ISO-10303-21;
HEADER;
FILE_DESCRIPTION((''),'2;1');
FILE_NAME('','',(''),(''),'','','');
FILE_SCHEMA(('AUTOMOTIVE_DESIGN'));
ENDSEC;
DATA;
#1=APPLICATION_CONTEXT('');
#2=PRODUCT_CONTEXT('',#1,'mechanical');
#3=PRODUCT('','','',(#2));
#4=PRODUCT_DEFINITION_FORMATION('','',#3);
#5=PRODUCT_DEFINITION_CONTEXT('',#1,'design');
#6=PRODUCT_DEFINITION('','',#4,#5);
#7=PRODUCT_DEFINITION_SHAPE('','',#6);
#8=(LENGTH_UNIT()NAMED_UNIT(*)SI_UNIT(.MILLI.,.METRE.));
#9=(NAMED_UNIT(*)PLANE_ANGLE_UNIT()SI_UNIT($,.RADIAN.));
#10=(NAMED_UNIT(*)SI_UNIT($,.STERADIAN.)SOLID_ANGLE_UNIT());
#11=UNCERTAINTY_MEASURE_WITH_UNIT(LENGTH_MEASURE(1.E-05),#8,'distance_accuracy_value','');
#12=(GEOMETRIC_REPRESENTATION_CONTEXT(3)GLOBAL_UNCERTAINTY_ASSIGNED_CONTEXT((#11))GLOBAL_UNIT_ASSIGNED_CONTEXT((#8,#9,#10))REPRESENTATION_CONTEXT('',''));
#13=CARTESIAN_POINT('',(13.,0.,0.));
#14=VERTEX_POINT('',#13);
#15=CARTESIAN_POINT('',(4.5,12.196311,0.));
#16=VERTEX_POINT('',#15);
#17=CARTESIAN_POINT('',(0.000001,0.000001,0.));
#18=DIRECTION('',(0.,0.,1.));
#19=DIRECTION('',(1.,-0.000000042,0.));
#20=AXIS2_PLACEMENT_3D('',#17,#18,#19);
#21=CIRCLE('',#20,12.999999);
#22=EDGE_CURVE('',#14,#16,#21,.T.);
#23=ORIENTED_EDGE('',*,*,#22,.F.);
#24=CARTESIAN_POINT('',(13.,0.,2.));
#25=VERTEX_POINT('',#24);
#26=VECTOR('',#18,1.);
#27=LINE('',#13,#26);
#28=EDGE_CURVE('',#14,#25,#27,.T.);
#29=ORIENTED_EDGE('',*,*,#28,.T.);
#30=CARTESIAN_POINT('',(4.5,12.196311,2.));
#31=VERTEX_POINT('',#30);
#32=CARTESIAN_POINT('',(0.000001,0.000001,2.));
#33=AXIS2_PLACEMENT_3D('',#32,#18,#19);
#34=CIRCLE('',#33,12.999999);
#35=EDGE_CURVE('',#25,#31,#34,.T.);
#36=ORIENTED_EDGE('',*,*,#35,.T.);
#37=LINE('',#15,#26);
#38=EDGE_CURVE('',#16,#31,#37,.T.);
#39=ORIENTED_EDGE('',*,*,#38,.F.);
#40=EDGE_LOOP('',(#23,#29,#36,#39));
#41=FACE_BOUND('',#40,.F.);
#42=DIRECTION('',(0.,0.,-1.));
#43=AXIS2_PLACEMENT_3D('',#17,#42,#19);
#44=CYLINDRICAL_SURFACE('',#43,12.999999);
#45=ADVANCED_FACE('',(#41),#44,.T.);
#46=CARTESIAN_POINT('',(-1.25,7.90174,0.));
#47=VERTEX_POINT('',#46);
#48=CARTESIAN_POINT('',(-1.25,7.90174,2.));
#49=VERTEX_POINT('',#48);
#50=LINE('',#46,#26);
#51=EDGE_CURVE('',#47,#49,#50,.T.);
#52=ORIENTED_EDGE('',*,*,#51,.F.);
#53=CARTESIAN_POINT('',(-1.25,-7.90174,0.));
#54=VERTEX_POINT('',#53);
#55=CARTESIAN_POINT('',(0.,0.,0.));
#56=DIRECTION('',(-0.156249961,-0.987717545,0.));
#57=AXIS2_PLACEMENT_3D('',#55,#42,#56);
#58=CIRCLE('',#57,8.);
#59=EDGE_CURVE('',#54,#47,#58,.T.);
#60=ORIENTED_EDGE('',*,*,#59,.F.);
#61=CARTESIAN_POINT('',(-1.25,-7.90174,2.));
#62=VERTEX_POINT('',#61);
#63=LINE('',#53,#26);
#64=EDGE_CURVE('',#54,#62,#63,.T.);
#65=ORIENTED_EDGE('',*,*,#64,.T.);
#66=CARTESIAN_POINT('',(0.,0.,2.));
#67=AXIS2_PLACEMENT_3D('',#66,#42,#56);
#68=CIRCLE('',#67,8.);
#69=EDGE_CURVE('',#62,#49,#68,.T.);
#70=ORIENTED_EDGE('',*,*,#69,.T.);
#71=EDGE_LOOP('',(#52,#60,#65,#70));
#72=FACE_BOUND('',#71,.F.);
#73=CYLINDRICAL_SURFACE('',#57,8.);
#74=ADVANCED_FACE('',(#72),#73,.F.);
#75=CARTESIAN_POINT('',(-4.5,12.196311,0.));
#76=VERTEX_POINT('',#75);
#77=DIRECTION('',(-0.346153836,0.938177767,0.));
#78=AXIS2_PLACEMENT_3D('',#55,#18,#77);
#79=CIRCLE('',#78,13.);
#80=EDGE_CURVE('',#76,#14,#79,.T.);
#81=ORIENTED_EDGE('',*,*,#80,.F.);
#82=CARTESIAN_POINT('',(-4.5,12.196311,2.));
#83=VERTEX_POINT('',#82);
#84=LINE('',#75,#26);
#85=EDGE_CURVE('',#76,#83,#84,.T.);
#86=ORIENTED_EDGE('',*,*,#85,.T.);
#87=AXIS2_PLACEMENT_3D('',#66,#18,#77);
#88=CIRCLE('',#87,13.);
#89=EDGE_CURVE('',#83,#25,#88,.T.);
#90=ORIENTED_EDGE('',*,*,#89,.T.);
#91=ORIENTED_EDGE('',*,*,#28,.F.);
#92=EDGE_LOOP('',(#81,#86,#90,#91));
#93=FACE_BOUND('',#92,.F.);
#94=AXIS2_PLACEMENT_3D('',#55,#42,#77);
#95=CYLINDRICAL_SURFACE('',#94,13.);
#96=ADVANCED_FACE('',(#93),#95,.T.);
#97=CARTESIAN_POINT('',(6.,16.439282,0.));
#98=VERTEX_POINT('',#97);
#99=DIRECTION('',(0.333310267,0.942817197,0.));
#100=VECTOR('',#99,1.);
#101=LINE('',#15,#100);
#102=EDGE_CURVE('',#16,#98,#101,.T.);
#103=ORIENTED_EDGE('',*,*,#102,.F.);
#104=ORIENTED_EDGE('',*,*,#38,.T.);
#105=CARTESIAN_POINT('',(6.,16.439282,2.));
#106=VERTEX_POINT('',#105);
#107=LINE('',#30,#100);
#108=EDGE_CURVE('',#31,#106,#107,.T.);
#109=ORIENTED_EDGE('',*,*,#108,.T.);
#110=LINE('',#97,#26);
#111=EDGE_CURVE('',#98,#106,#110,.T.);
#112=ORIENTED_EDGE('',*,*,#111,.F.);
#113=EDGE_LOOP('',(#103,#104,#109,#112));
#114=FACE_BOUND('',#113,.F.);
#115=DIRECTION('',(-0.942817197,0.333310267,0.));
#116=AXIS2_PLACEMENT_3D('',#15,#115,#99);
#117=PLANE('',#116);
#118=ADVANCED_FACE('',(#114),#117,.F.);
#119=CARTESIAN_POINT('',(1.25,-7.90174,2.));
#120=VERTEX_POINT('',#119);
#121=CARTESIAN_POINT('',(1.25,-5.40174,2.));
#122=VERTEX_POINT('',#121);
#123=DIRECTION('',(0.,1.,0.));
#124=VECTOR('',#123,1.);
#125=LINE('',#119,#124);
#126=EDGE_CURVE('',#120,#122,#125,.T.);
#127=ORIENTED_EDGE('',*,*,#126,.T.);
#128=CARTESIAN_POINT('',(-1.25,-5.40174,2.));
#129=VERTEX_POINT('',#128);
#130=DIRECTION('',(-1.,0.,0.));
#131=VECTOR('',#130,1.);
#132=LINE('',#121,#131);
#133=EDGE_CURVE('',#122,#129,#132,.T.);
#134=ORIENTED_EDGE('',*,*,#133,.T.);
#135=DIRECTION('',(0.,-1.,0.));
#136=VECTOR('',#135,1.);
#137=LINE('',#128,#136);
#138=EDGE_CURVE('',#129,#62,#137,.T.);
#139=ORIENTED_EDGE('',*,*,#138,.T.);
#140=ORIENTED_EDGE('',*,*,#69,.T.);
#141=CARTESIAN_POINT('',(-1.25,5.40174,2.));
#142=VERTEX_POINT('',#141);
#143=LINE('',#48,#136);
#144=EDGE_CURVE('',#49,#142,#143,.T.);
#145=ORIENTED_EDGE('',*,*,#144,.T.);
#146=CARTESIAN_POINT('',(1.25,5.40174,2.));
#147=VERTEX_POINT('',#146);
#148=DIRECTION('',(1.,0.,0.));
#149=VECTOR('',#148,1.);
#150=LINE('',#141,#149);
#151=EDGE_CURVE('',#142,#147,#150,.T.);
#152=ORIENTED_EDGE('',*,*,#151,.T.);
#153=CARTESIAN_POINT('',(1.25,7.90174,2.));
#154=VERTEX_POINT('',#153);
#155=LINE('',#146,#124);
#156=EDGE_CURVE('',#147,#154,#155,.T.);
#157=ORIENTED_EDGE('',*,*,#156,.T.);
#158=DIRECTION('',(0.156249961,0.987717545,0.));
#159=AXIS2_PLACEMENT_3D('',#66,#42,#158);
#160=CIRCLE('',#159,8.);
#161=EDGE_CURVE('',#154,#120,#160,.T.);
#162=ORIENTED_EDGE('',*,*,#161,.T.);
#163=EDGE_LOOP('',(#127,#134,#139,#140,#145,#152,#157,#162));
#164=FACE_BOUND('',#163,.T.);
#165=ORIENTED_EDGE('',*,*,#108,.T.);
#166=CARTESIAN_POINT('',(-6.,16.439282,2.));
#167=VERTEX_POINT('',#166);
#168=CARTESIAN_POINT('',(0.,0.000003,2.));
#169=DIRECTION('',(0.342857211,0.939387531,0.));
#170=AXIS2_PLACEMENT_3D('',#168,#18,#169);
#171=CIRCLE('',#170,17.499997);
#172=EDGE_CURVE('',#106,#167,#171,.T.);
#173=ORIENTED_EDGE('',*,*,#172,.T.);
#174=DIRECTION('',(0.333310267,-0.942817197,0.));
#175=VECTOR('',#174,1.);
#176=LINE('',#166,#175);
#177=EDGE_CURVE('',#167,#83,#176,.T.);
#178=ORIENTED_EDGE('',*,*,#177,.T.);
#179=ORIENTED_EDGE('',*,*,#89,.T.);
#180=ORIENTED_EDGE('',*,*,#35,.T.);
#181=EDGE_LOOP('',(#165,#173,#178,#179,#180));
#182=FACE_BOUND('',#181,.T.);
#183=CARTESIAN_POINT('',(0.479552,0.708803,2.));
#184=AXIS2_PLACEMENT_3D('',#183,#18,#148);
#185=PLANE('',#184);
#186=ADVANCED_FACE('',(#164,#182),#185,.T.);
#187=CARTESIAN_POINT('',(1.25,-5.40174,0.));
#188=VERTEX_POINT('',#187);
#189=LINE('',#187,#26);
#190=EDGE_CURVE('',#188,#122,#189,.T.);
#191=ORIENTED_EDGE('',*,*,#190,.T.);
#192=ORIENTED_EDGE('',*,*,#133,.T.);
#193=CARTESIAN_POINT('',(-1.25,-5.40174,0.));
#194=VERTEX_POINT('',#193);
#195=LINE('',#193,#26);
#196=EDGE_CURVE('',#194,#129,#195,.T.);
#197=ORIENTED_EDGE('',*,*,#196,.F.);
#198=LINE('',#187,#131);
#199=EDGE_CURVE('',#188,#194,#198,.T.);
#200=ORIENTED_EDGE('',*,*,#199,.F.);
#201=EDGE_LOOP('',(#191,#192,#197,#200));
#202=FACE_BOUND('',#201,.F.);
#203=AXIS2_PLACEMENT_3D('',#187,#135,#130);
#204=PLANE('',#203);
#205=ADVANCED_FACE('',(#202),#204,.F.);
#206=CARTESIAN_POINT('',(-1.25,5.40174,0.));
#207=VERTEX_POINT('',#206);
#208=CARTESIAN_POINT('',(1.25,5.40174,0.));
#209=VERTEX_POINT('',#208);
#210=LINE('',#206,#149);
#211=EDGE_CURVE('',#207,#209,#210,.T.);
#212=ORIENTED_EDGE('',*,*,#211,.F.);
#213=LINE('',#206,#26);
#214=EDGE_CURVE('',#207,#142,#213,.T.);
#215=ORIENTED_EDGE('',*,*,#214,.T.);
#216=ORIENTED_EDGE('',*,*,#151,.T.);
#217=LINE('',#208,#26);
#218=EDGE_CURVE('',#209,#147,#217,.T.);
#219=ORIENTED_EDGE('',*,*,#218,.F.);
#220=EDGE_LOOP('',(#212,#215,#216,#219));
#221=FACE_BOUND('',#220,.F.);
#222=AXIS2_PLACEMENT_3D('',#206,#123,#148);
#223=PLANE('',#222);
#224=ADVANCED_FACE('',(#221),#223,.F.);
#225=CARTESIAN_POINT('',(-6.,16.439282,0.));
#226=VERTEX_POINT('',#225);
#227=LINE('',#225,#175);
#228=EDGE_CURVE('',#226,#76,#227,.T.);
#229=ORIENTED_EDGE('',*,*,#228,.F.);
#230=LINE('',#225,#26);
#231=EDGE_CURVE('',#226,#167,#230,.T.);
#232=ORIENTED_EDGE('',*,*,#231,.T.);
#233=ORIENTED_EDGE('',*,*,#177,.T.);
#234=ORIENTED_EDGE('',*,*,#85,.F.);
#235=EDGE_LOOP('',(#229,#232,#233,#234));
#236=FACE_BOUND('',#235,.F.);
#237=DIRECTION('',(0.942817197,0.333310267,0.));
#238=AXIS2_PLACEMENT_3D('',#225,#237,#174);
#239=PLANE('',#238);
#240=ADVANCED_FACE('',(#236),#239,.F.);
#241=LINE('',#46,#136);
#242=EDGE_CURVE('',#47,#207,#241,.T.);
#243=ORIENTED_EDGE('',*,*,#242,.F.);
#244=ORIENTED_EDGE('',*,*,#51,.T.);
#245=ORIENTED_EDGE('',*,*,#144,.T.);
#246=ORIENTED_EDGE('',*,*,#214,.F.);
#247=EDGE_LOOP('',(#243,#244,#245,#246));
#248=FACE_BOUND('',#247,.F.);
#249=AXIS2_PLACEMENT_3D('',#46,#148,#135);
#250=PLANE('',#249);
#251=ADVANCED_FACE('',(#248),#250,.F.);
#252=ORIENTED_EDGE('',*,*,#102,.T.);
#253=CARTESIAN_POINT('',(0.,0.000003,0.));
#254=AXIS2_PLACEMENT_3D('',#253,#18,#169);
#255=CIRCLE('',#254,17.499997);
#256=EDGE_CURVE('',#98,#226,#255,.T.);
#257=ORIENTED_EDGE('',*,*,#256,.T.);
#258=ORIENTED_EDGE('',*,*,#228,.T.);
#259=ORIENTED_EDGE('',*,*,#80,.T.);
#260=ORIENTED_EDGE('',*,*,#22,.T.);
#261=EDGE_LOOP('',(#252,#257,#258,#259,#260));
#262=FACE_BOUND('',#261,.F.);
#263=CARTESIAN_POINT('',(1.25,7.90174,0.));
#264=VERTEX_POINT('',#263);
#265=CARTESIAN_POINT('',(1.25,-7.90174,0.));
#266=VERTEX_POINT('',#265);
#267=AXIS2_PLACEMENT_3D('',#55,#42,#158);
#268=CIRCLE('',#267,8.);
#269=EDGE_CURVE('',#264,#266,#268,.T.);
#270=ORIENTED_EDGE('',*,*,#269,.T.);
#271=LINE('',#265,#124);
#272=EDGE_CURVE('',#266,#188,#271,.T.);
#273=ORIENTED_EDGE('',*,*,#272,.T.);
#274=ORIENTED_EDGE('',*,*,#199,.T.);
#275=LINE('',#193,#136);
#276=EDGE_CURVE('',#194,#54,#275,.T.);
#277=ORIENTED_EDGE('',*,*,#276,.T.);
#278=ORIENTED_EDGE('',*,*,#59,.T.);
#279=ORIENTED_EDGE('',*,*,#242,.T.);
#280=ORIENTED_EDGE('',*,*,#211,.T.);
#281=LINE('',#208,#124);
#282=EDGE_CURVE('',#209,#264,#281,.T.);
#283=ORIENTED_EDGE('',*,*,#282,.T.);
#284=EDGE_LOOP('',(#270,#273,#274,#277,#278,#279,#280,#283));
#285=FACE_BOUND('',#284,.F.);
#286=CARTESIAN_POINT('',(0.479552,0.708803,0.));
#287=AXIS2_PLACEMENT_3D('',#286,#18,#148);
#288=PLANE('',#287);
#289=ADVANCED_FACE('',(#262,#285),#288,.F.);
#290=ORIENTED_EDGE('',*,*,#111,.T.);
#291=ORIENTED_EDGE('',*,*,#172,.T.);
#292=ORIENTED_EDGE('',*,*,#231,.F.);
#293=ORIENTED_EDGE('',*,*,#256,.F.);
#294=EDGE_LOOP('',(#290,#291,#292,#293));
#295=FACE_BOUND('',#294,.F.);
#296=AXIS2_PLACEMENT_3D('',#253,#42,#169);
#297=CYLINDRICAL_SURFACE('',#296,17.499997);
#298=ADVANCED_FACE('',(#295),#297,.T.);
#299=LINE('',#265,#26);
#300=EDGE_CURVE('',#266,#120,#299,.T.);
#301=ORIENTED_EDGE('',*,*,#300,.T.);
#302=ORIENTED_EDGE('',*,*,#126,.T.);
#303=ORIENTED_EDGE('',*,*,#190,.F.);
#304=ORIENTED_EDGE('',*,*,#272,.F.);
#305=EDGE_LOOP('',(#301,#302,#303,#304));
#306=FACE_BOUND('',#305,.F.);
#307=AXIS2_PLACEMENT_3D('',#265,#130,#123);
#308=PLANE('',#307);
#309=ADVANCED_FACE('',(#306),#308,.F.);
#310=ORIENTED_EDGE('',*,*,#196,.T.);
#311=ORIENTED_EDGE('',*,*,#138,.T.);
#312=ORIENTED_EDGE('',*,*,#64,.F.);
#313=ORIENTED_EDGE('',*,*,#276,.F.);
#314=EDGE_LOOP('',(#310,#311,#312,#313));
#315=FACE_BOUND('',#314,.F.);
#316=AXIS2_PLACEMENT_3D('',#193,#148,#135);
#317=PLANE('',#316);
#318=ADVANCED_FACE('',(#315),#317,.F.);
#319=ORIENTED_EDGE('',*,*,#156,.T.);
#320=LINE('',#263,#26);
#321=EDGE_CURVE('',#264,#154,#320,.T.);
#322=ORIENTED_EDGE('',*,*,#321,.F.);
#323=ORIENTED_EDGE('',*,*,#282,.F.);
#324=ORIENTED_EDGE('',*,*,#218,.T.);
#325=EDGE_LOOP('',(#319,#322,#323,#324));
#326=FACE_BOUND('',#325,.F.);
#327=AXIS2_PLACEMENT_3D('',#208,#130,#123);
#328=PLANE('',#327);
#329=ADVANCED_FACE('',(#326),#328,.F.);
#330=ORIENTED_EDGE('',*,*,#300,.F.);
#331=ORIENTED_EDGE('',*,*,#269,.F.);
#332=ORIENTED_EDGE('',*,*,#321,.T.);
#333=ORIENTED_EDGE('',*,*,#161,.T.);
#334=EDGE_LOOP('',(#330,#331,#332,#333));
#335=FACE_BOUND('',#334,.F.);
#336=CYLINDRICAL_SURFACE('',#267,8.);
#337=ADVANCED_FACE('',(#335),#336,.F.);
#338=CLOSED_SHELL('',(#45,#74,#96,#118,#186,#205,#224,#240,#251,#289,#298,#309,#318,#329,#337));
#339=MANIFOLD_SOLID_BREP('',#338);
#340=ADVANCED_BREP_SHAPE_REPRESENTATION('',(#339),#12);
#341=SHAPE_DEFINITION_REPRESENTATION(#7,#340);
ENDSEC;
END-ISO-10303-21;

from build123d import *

# Parameters (mm, degrees)
F1_DEPTH = 2


with BuildPart() as f1:
    # F0 (on Top) → F1 (new body)
    with BuildSketch(Plane.XY):
        with BuildLine():
            ThreePointArc((-4.5, 12.196311), (-7.433034, -10.665365), (13, 0))
            ThreePointArc((13, 0), (10.665365, 7.433034), (4.5, 12.196311))
            ThreePointArc((4.5, 12.196311), (0, 13), (-4.5, 12.196311))
        make_face()
        with BuildLine():
            ThreePointArc((-1.25, -7.90174), (-8, 0), (-1.25, 7.90174))
            Line((-1.25, 7.90174), (-1.25, 5.40174))
            Line((-1.25, 5.40174), (1.25, 5.40174))
            Line((1.25, 5.40174), (1.25, 7.90174))
            ThreePointArc((1.25, 7.90174), (8, 0), (1.25, -7.90174))
            Line((1.25, -7.90174), (1.25, -5.40174))
            Line((1.25, -5.40174), (-1.25, -5.40174))
            Line((-1.25, -5.40174), (-1.25, -7.90174))
        make_face(mode=Mode.SUBTRACT)
        with BuildLine():
            ThreePointArc((-4.5, 12.196311), (0, 13), (4.5, 12.196311))
            Line((4.5, 12.196311), (6, 16.439282))
            ThreePointArc((6, 16.439282), (0, 17.5), (-6, 16.439282))
            Line((-6, 16.439282), (-4.5, 12.196311))
        make_face()
    extrude(amount=F1_DEPTH)


solid = f1.part
